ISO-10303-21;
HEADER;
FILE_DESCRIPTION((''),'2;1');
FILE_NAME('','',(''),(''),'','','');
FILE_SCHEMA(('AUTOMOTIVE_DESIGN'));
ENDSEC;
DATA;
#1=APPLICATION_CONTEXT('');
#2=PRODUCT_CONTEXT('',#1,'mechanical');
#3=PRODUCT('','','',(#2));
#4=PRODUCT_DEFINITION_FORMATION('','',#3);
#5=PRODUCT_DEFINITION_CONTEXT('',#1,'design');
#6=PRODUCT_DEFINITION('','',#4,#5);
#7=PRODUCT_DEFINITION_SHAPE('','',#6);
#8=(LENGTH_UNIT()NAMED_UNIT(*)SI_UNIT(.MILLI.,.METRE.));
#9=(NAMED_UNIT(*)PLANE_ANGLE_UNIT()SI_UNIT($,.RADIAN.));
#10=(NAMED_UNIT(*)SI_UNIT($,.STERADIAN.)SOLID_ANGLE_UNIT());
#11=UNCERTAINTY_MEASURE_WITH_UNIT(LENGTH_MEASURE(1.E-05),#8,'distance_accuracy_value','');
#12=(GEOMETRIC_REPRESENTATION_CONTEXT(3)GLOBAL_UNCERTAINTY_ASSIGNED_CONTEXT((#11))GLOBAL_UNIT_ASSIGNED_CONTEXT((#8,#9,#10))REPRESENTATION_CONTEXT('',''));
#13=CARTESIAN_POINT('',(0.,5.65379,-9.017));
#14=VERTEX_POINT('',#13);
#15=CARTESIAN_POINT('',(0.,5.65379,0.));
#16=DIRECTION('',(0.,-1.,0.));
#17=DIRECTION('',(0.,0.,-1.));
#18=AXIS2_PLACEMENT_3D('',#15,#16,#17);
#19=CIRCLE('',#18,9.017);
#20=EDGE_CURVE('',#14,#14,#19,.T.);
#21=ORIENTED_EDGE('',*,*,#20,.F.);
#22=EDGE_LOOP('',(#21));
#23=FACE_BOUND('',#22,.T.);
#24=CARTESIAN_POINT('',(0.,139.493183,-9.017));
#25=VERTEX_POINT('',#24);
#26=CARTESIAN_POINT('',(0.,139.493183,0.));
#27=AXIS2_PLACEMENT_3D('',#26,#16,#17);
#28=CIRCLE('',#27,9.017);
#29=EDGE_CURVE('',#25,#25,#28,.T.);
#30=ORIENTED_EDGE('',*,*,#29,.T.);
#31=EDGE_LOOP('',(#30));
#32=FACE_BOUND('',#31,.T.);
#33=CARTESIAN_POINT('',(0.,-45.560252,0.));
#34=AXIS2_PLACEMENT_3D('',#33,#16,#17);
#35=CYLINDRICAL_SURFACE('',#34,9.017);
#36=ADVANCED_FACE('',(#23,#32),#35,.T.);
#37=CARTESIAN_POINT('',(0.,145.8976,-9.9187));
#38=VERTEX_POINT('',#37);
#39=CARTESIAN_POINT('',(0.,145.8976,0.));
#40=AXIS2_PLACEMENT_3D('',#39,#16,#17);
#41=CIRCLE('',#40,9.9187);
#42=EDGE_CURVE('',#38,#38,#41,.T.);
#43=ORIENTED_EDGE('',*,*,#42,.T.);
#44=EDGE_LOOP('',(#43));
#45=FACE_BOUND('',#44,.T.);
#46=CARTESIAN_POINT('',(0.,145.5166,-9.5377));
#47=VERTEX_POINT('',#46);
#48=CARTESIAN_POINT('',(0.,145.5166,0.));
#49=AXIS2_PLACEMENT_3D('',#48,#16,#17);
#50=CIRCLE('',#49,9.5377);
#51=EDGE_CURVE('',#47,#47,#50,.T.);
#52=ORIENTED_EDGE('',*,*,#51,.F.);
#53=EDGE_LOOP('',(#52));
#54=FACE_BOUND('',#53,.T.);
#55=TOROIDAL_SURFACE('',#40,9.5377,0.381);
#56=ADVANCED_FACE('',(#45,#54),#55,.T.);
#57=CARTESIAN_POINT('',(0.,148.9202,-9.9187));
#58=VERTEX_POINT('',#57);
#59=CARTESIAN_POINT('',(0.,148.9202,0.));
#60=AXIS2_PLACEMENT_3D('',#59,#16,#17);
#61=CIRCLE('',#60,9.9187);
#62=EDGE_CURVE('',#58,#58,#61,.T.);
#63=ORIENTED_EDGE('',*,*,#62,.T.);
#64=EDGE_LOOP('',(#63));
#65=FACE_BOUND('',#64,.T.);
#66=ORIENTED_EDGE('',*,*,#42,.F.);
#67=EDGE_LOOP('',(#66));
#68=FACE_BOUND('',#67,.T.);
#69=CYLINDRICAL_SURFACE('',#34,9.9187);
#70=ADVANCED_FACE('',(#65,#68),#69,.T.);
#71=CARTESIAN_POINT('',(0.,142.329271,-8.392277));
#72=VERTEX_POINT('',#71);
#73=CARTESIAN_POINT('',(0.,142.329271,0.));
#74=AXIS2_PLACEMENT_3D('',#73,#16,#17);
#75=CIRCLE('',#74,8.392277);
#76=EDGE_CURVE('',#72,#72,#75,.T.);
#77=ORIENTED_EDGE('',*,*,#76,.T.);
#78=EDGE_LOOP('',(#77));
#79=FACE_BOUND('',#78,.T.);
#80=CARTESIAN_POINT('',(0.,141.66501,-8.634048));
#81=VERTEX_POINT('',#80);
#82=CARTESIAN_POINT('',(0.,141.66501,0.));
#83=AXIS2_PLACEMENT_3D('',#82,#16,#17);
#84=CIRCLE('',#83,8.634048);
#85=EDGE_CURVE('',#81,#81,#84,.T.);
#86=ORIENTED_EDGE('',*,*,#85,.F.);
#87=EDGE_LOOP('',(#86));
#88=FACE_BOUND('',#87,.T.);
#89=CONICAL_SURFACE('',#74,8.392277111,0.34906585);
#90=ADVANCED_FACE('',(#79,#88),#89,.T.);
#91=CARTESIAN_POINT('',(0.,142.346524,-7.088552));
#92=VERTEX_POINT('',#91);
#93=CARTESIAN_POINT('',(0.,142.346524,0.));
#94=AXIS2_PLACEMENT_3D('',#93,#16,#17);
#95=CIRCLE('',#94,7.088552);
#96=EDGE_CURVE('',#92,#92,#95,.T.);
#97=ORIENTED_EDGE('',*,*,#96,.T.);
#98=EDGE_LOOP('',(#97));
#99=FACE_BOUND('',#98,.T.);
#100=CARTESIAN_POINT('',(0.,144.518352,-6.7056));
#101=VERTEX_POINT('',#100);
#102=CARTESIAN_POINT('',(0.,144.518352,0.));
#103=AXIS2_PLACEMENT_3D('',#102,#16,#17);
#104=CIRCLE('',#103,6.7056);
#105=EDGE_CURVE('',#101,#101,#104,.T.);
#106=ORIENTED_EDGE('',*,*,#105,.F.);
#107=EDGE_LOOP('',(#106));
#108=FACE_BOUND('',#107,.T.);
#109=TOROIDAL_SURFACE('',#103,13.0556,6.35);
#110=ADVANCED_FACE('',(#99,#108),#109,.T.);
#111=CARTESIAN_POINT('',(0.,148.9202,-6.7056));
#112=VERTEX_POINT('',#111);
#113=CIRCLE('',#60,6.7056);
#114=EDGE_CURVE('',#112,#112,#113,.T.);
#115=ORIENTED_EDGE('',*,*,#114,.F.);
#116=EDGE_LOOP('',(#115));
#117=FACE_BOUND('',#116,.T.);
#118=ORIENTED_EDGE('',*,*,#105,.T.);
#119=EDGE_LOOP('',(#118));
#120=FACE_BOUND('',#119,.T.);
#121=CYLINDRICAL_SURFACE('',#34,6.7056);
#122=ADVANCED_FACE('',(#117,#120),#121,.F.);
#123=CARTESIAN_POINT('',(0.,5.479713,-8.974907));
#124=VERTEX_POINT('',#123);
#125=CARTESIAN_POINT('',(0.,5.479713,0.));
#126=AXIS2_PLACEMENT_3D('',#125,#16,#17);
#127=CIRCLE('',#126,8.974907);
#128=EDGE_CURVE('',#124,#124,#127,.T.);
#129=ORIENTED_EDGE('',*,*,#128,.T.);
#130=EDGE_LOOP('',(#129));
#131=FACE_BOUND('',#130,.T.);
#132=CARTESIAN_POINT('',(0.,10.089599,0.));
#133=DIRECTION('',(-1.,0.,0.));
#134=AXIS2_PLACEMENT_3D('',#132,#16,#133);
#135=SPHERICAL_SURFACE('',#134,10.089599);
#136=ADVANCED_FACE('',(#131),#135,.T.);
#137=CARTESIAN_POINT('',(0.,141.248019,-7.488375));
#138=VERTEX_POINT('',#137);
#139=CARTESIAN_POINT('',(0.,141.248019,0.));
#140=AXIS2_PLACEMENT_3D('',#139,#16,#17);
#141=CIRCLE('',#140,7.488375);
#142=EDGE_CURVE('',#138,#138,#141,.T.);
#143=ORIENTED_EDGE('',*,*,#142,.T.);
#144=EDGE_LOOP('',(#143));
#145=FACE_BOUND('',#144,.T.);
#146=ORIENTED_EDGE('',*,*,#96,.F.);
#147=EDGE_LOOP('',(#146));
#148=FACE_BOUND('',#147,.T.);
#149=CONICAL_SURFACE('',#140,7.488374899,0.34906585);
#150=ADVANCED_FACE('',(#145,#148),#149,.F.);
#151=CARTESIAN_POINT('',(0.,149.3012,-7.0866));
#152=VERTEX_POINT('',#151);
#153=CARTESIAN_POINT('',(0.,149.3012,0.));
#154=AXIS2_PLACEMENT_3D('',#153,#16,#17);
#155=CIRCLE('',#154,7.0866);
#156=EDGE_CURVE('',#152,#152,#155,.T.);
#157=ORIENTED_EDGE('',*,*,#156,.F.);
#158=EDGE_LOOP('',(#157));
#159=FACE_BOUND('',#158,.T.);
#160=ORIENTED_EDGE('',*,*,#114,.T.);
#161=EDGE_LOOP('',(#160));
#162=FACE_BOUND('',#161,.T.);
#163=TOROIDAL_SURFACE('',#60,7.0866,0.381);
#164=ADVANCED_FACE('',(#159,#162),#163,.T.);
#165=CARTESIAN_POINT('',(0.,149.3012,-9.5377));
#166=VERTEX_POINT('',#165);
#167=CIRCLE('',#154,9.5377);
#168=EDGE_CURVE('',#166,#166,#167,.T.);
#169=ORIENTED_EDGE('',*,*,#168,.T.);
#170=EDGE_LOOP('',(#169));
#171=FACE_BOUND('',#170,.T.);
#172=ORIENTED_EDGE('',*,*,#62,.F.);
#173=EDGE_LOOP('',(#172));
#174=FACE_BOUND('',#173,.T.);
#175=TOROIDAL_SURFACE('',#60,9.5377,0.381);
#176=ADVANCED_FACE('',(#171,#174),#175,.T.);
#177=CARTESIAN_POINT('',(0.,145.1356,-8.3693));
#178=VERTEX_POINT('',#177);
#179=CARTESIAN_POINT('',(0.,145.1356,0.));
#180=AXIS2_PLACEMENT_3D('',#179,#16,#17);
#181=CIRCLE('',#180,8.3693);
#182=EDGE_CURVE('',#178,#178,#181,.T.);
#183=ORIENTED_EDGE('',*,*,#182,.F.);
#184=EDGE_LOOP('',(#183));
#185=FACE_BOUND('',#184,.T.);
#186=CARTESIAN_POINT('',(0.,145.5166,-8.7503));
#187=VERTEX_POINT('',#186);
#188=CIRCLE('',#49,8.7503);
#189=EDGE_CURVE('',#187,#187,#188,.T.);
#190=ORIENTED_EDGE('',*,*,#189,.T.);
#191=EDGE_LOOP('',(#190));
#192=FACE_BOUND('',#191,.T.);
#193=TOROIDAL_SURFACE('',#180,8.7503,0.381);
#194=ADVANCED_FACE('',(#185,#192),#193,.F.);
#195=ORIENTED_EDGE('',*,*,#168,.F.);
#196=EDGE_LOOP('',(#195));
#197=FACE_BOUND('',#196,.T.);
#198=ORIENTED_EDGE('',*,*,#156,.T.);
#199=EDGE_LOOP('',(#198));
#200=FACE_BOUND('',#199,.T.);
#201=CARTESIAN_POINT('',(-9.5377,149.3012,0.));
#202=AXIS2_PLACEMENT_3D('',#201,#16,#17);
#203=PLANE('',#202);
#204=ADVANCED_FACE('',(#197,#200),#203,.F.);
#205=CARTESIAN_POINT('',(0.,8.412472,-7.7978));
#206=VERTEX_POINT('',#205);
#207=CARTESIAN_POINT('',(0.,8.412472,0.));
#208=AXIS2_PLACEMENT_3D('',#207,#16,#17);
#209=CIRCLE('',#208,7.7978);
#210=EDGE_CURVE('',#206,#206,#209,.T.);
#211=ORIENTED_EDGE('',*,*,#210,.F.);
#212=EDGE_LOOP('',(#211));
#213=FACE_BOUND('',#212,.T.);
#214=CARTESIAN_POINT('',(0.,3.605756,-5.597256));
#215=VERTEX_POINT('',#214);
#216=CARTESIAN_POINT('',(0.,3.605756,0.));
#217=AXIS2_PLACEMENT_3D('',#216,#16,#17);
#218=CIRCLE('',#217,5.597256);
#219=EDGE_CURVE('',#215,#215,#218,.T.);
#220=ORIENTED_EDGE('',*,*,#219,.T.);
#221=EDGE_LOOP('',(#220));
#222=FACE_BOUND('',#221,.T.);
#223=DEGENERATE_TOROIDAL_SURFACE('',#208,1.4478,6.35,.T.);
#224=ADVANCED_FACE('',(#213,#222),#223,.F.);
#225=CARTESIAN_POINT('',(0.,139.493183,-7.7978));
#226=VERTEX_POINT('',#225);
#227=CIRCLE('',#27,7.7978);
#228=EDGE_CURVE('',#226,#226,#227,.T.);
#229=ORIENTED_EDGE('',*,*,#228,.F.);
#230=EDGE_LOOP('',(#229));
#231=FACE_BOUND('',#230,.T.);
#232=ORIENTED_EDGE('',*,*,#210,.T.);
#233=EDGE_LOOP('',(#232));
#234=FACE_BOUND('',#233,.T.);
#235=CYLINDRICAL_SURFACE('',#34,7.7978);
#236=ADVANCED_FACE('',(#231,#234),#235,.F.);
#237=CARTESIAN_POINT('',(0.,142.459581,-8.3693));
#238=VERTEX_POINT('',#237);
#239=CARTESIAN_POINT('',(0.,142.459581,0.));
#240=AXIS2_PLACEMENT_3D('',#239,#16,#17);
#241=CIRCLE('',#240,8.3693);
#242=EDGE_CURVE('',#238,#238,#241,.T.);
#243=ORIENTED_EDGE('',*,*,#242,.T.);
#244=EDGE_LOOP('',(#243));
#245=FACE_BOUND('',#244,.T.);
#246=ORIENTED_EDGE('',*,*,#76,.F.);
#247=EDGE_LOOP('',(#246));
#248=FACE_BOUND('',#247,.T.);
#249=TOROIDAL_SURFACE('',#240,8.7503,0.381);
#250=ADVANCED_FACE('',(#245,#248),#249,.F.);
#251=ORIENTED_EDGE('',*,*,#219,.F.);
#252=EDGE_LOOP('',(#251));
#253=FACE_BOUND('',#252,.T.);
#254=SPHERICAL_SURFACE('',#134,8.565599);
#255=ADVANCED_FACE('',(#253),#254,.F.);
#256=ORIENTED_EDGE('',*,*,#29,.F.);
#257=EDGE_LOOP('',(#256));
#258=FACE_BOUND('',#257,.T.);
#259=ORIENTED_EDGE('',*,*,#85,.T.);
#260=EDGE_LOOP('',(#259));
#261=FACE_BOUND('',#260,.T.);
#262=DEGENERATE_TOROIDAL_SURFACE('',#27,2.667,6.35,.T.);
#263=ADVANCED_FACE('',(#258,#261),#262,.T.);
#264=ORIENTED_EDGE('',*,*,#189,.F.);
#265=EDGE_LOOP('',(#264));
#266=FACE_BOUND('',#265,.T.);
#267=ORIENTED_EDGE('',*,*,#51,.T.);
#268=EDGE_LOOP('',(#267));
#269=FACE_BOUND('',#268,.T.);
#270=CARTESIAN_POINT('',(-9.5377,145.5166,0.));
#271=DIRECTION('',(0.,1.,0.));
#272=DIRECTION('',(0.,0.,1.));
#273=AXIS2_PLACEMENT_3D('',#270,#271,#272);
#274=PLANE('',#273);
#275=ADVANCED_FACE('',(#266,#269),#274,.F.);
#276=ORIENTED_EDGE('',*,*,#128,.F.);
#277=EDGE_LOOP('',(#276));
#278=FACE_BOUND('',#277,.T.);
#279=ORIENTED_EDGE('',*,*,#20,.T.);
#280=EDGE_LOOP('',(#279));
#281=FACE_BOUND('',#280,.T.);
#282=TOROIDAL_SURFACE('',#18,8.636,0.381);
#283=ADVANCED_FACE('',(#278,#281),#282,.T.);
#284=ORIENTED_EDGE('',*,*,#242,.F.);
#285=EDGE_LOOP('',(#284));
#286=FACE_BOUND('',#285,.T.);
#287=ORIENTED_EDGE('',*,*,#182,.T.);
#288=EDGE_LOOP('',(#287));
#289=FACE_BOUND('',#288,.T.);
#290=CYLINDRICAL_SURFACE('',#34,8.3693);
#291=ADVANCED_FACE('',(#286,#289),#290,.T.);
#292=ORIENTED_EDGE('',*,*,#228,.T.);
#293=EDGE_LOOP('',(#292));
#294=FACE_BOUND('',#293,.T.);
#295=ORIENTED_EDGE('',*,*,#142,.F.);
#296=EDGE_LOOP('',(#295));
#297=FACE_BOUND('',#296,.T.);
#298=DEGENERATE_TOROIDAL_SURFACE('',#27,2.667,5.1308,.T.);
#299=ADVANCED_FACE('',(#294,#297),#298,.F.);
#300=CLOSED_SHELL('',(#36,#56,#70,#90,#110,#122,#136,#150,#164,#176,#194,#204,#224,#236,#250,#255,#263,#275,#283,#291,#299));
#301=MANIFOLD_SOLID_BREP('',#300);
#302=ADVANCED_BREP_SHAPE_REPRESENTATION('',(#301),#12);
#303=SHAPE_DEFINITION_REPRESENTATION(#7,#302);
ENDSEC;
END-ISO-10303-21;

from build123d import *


with BuildPart() as part:
    # Sketch1 → Revolve1 (revolve)
    with BuildSketch(Plane.XY, mode=Mode.PRIVATE) as revolve1_sk:
        with BuildLine():
            Line((-9.017, 5.653790228), (-9.017, 139.493182548))
            ThreePointArc((-9.017, 139.493182548), (-8.920529232, 140.595848476), (-8.634048142, 141.665010458))
            Line((-8.634048142, 141.665010458), (-8.392277111, 142.329270905))
            ThreePointArc((-8.392277111, 142.329270905), (-8.375088246, 142.393420624), (-8.3693, 142.45958058))
            Line((-8.3693, 142.45958058), (-8.3693, 145.1356))
            ThreePointArc((-8.3693, 145.1356), (-8.480892316, 145.405007684), (-8.7503, 145.5166))
            Line((-8.7503, 145.5166), (-9.5377, 145.5166))
            ThreePointArc((-9.5377, 145.5166), (-9.807107684, 145.628192316), (-9.9187, 145.8976))
            Line((-9.9187, 145.8976), (-9.9187, 148.9202))
            ThreePointArc((-9.9187, 148.9202), (-9.807107684, 149.189607684), (-9.5377, 149.3012))
            Line((-9.5377, 149.3012), (-7.0866, 149.3012))
            ThreePointArc((-7.0866, 149.3012), (-6.817192316, 149.189607684), (-6.7056, 148.9202))
            Line((-6.7056, 148.9202), (-6.7056, 144.518352186))
            ThreePointArc((-6.7056, 144.518352186), (-6.802070768, 143.415686257), (-7.088551858, 142.346524275))
            Line((-7.088551858, 142.346524275), (-7.488374899, 141.248019499))
            ThreePointArc((-7.488374899, 141.248019499), (-7.719851619, 140.384136618), (-7.7978, 139.493182548))
            Line((-7.7978, 139.493182548), (-7.7978, 8.412472236))
            ThreePointArc((-7.7978, 8.412472236), (-7.221513837, 5.769230188), (-5.597255583, 3.605756271))
            ThreePointArc((-5.597255583, 3.605756271), (-2.985924448, 2.061290242), (0, 1.524))
            Line((0, 1.524), (0, 0))
            ThreePointArc((0, 0), (-5.257761417, 1.478213913), (-8.974907392, 5.479713293))
            ThreePointArc((-8.974907392, 5.479713293), (-9.006327366, 5.564243359), (-9.017, 5.653790228))
        make_face()
    revolve(revolve1_sk.sketch.rotate(Axis((0, -45.560251793, 0), (0, 1, 0)), 270), axis=Axis((0, -45.560251793, 0), (0, 1, 0)))


solid = part.part
